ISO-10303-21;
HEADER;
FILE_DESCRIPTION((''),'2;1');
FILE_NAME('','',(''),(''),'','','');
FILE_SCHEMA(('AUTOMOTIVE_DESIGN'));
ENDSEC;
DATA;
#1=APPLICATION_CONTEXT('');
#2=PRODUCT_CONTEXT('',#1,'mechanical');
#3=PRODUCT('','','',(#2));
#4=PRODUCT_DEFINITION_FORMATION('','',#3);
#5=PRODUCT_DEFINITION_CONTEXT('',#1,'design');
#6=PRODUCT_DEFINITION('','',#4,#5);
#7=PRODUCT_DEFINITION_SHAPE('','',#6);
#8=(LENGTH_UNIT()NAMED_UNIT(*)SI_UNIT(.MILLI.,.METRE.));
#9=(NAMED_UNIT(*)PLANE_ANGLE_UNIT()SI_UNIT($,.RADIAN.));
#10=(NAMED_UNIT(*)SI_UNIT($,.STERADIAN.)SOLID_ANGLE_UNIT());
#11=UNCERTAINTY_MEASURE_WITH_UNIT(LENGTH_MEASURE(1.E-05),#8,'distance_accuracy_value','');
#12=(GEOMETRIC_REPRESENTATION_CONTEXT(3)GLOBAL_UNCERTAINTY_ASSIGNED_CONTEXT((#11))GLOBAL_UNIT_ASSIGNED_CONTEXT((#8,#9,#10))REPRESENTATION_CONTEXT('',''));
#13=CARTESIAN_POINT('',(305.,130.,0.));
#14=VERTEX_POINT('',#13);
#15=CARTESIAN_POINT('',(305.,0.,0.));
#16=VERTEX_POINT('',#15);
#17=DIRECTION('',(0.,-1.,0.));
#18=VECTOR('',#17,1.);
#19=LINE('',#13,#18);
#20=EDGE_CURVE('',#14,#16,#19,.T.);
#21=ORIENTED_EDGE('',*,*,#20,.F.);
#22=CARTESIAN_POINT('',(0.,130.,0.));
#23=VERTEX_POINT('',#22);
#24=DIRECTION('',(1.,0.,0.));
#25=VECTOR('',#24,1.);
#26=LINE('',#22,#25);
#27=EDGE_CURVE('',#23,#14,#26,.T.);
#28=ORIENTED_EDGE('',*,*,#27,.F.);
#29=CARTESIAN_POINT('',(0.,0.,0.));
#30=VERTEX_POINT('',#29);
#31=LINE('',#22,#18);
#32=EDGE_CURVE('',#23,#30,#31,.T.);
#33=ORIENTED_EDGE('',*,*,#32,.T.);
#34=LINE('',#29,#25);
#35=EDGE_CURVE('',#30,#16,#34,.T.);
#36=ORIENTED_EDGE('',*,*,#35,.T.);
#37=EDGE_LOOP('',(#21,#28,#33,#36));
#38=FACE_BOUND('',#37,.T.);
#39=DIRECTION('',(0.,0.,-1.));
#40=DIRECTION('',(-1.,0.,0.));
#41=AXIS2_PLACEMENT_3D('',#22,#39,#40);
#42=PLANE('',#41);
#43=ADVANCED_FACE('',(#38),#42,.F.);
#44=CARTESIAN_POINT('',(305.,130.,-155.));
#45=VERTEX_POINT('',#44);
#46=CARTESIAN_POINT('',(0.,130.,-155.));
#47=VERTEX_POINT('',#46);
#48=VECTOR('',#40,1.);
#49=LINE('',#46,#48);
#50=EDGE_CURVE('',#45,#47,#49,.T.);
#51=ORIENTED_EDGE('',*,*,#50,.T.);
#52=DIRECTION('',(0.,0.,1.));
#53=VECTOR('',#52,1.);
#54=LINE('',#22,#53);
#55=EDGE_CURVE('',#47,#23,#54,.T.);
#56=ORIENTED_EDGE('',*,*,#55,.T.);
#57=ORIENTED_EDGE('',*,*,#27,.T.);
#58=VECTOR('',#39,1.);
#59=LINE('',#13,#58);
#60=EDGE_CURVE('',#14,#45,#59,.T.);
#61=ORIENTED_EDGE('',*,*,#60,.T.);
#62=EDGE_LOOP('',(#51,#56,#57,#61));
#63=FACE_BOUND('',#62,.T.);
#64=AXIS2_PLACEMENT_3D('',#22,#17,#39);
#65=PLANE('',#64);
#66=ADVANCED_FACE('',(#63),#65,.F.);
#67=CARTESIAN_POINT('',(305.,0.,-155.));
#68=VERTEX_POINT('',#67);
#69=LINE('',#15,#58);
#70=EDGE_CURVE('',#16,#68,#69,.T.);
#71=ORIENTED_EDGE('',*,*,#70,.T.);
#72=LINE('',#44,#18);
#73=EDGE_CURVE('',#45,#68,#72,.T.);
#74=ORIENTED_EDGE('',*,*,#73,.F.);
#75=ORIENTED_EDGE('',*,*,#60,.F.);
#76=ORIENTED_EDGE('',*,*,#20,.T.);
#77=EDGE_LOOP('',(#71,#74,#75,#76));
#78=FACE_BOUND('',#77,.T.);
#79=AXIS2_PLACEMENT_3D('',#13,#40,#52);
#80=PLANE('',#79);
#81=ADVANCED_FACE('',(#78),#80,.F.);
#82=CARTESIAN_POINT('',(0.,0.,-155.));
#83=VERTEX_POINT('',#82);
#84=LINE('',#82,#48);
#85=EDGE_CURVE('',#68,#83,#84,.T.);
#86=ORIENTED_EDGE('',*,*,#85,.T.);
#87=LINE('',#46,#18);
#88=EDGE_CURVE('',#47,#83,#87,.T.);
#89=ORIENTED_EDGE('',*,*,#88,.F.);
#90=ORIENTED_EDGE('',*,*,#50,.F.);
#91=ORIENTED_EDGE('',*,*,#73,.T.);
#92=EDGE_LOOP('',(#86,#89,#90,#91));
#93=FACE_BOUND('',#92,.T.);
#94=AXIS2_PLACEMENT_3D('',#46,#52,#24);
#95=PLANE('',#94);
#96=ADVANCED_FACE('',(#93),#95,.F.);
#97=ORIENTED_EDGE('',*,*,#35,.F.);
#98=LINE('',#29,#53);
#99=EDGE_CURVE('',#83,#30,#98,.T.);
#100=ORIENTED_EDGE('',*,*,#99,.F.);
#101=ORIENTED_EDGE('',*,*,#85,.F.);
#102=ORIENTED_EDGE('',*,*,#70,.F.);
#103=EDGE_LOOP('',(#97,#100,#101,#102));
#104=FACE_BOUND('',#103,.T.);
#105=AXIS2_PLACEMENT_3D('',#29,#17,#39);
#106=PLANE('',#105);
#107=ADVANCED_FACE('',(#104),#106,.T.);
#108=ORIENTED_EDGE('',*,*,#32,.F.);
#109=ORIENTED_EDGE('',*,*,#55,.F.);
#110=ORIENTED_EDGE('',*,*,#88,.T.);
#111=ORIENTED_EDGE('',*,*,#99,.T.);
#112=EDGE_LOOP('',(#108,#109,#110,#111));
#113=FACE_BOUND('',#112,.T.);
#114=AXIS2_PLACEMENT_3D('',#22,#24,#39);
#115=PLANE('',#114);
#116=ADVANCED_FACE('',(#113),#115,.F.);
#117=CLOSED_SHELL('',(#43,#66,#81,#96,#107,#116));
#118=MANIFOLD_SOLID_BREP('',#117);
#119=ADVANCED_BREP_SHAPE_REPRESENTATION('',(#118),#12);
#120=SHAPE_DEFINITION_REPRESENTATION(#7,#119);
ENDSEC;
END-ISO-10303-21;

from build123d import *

# Parameters (mm, degrees)
SKETCH1_W           = 305
SKETCH1_H           = 155
BOSS_EXTRUDE1_DEPTH = 130


with BuildPart() as part:
    # Sketch1 → Boss-Extrude1 (new body)
    with BuildSketch(Plane(origin=(0, 0, 0), x_dir=(1, 0, 0), z_dir=(0, 1, 0))):
        with Locations((152.5, 77.5)):
            Rectangle(SKETCH1_W, SKETCH1_H)
    extrude(amount=BOSS_EXTRUDE1_DEPTH)


solid = part.part
